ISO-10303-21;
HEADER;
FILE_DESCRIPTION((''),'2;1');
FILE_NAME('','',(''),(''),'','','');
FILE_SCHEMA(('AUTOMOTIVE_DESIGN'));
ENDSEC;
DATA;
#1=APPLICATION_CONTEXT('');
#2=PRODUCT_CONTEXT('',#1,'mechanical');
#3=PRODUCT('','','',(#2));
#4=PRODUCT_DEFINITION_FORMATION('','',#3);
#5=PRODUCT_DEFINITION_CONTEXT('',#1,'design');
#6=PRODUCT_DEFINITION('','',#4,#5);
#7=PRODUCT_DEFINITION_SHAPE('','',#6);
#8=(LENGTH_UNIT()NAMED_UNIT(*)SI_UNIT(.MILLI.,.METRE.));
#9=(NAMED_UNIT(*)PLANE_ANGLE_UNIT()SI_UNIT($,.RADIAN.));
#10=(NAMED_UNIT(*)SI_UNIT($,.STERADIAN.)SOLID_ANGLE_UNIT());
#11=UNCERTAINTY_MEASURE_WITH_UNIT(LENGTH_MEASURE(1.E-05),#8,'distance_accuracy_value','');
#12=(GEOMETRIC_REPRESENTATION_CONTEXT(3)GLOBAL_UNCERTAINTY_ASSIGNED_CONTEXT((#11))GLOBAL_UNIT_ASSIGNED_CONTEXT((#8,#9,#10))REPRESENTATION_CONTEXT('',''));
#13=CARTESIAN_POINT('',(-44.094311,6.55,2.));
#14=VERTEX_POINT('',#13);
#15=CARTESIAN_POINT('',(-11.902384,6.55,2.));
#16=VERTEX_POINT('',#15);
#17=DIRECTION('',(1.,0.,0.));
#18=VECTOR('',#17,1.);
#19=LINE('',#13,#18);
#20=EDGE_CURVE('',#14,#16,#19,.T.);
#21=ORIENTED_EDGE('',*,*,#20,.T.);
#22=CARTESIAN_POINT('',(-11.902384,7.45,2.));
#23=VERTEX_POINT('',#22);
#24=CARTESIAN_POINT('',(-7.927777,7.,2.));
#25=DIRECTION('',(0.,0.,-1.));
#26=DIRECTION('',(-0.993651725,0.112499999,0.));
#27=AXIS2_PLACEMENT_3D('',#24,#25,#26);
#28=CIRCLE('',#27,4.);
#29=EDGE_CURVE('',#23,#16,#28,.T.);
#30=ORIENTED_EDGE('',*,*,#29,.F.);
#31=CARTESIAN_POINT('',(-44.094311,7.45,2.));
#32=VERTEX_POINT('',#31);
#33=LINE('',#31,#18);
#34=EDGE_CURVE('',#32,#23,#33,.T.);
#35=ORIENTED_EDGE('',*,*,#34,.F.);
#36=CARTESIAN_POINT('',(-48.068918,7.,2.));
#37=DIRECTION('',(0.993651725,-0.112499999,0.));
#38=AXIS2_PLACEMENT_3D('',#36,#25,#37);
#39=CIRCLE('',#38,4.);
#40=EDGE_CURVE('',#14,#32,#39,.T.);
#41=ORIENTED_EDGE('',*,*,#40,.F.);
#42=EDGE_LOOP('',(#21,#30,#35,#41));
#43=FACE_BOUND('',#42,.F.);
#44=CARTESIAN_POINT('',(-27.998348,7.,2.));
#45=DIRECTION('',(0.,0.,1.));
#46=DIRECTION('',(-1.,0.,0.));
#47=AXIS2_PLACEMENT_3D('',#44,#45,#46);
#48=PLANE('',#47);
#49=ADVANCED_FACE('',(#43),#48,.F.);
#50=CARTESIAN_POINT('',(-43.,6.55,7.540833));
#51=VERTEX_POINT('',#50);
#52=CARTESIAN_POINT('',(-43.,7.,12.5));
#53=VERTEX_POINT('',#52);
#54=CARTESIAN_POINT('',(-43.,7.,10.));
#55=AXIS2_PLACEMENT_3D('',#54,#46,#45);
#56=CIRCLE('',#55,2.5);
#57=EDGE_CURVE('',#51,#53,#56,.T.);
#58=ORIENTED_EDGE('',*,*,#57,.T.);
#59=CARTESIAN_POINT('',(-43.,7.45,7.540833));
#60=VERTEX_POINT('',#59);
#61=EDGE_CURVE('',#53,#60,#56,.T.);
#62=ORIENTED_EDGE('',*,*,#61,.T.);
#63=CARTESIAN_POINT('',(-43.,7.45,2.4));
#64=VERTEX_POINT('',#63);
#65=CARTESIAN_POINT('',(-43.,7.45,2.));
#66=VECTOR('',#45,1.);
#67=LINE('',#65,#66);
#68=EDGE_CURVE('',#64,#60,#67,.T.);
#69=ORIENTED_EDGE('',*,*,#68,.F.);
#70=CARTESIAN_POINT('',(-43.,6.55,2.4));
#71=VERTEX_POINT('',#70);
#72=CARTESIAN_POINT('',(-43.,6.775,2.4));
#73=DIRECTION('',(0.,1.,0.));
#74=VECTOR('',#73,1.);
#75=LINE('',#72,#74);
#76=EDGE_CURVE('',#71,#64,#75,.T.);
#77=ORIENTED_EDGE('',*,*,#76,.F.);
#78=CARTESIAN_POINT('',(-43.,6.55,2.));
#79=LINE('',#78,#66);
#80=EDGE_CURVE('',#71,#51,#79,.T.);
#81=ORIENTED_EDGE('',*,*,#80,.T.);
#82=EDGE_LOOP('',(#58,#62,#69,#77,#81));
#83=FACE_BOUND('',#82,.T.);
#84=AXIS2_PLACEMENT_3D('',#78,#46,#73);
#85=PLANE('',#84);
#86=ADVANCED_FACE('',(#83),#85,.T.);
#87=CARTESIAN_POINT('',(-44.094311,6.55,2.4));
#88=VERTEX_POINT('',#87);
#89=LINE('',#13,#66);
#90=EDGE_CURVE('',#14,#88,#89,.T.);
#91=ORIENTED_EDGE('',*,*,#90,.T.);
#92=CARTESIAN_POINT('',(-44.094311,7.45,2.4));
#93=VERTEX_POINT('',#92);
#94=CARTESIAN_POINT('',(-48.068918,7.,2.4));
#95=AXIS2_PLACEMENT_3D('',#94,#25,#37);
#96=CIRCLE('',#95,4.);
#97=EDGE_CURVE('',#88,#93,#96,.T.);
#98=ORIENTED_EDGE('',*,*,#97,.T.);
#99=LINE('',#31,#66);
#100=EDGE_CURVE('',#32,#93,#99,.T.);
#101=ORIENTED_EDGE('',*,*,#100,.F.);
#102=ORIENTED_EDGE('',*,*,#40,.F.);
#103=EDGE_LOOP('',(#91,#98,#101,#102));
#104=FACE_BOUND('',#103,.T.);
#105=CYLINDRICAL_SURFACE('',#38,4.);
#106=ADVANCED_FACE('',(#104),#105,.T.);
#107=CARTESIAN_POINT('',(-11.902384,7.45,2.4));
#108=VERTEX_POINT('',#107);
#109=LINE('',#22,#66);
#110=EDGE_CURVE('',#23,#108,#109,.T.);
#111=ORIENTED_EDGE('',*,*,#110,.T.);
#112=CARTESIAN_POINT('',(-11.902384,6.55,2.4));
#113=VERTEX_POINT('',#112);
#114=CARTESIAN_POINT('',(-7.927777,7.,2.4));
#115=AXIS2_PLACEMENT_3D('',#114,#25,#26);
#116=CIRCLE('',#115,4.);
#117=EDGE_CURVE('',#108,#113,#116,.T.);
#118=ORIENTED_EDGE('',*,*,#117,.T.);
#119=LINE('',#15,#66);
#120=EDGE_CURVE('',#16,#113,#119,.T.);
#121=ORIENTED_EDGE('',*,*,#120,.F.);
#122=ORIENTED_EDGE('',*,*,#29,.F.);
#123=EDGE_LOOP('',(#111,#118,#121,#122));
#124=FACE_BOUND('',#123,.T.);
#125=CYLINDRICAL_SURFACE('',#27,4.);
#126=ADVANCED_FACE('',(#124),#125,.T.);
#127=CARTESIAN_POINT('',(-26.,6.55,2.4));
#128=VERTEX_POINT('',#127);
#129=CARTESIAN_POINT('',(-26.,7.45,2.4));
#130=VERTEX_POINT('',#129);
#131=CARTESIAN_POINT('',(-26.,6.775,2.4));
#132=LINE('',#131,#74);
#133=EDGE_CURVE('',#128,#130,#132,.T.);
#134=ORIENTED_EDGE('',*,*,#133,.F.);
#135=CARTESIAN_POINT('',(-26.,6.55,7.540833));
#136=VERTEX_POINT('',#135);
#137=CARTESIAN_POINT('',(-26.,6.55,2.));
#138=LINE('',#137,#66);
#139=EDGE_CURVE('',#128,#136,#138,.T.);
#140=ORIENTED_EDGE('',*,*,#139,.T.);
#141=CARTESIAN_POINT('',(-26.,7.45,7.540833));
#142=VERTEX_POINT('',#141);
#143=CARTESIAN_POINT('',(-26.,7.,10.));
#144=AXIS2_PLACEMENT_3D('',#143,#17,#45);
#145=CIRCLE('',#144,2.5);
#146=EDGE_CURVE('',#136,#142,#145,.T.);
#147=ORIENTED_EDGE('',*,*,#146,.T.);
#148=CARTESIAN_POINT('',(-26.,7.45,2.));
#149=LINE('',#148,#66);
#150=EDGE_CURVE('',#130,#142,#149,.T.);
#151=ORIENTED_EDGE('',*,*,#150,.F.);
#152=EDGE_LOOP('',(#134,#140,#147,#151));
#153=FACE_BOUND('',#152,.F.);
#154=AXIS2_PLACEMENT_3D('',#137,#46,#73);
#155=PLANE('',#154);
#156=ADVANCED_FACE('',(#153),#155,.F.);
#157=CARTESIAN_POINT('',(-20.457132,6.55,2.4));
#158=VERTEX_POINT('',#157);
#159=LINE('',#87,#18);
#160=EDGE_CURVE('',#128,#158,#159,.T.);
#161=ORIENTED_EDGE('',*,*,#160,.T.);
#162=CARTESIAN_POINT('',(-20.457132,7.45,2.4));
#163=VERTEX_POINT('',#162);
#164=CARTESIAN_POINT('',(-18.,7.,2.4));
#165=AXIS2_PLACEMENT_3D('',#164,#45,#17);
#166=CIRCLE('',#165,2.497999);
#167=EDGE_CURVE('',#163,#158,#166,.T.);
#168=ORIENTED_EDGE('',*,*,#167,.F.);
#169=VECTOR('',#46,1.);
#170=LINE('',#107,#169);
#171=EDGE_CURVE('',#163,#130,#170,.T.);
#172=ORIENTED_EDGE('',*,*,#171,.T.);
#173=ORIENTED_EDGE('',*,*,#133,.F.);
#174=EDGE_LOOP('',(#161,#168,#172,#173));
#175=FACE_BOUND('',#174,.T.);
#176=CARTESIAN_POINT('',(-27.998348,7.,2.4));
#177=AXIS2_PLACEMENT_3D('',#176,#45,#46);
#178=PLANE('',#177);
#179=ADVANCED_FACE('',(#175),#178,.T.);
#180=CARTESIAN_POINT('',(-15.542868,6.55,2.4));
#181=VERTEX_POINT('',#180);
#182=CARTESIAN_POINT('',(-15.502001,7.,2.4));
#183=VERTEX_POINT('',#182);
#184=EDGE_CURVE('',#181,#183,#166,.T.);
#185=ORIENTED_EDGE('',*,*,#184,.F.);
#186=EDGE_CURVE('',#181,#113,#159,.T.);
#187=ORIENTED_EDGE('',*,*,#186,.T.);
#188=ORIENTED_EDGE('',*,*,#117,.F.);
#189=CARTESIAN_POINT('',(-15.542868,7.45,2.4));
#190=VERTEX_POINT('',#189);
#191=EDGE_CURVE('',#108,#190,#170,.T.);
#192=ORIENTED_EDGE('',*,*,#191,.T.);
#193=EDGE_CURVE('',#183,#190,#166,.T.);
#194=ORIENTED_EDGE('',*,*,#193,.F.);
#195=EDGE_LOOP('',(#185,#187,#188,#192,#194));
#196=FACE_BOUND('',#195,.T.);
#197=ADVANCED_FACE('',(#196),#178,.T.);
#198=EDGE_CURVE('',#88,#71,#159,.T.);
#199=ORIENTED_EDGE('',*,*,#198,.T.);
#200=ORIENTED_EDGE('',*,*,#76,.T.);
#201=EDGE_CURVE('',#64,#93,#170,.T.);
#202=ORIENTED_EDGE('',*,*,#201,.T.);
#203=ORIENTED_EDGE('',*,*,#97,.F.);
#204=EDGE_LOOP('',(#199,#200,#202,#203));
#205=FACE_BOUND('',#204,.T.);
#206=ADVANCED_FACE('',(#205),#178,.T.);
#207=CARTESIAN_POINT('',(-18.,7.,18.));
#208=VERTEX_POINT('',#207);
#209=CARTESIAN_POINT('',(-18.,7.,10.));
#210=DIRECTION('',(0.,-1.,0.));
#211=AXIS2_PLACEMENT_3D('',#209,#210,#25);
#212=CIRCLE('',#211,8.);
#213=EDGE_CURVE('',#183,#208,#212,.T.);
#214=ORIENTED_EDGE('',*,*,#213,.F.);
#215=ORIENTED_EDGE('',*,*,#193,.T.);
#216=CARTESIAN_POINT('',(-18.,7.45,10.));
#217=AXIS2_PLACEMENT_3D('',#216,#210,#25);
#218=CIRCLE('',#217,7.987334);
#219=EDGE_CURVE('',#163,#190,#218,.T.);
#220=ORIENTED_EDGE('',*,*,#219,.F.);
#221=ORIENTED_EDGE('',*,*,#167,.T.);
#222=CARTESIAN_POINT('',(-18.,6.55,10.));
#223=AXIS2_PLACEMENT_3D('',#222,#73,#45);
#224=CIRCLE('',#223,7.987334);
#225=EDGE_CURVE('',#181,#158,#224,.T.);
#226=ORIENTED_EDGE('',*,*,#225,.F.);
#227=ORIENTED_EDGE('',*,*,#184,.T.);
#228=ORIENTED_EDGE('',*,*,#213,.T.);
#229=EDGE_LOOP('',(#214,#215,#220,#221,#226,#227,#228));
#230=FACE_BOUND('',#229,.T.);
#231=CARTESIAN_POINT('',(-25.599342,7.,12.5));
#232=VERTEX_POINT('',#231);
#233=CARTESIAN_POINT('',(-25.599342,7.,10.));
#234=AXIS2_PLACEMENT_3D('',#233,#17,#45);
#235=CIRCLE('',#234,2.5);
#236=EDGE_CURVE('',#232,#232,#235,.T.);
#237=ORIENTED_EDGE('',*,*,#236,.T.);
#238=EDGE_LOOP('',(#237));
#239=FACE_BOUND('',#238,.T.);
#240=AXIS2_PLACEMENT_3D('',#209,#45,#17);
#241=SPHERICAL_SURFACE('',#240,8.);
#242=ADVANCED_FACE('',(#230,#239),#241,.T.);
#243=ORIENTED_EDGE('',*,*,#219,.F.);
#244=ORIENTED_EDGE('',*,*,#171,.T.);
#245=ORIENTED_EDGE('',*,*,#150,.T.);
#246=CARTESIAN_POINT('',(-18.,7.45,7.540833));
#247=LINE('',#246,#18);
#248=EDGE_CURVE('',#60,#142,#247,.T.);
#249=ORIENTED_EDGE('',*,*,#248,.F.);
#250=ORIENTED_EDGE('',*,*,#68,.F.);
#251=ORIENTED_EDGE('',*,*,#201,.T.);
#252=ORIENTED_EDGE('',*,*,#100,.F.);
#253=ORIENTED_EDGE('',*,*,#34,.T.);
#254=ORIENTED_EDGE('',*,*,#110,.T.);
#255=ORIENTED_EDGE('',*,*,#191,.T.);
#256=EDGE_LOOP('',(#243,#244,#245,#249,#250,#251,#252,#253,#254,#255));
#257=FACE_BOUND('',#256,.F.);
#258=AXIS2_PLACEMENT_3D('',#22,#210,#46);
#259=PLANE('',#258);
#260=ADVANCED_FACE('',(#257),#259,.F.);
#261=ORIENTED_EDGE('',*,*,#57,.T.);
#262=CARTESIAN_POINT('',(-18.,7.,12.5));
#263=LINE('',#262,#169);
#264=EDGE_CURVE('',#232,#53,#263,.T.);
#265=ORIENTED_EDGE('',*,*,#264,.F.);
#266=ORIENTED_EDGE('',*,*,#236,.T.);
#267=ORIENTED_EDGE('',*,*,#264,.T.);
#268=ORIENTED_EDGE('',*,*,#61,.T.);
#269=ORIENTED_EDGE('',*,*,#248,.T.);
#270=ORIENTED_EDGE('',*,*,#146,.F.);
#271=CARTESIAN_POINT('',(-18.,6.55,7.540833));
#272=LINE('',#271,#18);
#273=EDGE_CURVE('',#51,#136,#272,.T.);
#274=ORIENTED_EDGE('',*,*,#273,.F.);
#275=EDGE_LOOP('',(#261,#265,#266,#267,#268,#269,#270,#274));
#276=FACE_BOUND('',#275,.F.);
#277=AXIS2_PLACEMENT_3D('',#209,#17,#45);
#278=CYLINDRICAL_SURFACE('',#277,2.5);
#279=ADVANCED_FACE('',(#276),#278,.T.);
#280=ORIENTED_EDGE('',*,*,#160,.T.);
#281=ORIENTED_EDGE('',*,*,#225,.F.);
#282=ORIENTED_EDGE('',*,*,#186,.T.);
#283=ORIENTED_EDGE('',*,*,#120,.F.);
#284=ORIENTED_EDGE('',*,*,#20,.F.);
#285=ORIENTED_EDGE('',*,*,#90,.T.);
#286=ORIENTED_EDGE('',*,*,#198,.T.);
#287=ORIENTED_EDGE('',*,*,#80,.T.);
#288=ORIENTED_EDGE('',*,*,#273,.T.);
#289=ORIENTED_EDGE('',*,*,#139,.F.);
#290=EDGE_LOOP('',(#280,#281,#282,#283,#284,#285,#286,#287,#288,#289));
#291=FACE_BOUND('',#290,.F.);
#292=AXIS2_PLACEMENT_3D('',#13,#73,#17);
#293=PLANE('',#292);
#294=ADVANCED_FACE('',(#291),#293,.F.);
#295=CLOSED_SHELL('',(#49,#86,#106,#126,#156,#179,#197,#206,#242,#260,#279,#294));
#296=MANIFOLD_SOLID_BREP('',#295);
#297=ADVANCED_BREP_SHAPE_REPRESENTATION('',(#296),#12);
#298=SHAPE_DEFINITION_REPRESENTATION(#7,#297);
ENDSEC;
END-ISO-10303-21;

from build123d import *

# Parameters (mm, degrees)
EXTRUDE_DEPTH  = 0.4
CYLINDER_R     = 2.5
CYLINDER_DEPTH = 25
BOX_W          = 17
BOX_H          = 0.9
BOX_DEPTH      = 8


with BuildPart() as extrude_body:
    # Sketch011 (on Face6 of Fusion) → Extrude (new body)
    with BuildSketch(Plane(origin=(0, 0, 2), x_dir=(1, 0, 0), z_dir=(0, 0, -1))):
        with BuildLine():
            Line((-44.094311, -6.55), (-11.902384, -6.55))
            ThreePointArc((-11.902384, -7.45), (-3.927777, -7), (-11.902384, -6.55))
            Line((-11.902384, -7.45), (-44.094311, -7.45))
            ThreePointArc((-44.094311, -6.55), (-52.068918, -7), (-44.094311, -7.45))
        make_face()
    extrude(amount=-EXTRUDE_DEPTH)


with BuildPart() as cylinder:
    # Cylinder → Cylinder (new body)
    with BuildSketch(Plane(origin=(-18, 7, 10), x_dir=(0, 0, 1), z_dir=(-1, 0, 0))):
        Circle(CYLINDER_R)
    extrude(amount=CYLINDER_DEPTH)


with BuildPart() as cube:
    # Box → Box (new body)
    with BuildSketch(Plane(origin=(-43, 6.55, 2), x_dir=(1, 0, 0), z_dir=(0, 0, 1))):
        with Locations((8.5, 0.45)):
            Rectangle(BOX_W, BOX_H)
    extrude(amount=BOX_DEPTH)


with BuildPart() as ball:
    # Sphere001 → Sphere001 (revolve)
    with BuildSketch(Plane(origin=(-18, 7, 10), x_dir=(1, 0, 0), z_dir=(0, -1, 0))):
        with BuildLine():
            ThreePointArc((0, -8), (8, 0), (0, 8))
            Line((0, 8), (0, -8))
        make_face()
    revolve(axis=Axis((-18, 7, 10), (0, 0, 1)))

    # Fusion: union Cylinder, Cube
    add(cylinder.part)
    add(cube.part)

    # Fusion001: union Extrude body
    add(extrude_body.part)


solid = ball.part
